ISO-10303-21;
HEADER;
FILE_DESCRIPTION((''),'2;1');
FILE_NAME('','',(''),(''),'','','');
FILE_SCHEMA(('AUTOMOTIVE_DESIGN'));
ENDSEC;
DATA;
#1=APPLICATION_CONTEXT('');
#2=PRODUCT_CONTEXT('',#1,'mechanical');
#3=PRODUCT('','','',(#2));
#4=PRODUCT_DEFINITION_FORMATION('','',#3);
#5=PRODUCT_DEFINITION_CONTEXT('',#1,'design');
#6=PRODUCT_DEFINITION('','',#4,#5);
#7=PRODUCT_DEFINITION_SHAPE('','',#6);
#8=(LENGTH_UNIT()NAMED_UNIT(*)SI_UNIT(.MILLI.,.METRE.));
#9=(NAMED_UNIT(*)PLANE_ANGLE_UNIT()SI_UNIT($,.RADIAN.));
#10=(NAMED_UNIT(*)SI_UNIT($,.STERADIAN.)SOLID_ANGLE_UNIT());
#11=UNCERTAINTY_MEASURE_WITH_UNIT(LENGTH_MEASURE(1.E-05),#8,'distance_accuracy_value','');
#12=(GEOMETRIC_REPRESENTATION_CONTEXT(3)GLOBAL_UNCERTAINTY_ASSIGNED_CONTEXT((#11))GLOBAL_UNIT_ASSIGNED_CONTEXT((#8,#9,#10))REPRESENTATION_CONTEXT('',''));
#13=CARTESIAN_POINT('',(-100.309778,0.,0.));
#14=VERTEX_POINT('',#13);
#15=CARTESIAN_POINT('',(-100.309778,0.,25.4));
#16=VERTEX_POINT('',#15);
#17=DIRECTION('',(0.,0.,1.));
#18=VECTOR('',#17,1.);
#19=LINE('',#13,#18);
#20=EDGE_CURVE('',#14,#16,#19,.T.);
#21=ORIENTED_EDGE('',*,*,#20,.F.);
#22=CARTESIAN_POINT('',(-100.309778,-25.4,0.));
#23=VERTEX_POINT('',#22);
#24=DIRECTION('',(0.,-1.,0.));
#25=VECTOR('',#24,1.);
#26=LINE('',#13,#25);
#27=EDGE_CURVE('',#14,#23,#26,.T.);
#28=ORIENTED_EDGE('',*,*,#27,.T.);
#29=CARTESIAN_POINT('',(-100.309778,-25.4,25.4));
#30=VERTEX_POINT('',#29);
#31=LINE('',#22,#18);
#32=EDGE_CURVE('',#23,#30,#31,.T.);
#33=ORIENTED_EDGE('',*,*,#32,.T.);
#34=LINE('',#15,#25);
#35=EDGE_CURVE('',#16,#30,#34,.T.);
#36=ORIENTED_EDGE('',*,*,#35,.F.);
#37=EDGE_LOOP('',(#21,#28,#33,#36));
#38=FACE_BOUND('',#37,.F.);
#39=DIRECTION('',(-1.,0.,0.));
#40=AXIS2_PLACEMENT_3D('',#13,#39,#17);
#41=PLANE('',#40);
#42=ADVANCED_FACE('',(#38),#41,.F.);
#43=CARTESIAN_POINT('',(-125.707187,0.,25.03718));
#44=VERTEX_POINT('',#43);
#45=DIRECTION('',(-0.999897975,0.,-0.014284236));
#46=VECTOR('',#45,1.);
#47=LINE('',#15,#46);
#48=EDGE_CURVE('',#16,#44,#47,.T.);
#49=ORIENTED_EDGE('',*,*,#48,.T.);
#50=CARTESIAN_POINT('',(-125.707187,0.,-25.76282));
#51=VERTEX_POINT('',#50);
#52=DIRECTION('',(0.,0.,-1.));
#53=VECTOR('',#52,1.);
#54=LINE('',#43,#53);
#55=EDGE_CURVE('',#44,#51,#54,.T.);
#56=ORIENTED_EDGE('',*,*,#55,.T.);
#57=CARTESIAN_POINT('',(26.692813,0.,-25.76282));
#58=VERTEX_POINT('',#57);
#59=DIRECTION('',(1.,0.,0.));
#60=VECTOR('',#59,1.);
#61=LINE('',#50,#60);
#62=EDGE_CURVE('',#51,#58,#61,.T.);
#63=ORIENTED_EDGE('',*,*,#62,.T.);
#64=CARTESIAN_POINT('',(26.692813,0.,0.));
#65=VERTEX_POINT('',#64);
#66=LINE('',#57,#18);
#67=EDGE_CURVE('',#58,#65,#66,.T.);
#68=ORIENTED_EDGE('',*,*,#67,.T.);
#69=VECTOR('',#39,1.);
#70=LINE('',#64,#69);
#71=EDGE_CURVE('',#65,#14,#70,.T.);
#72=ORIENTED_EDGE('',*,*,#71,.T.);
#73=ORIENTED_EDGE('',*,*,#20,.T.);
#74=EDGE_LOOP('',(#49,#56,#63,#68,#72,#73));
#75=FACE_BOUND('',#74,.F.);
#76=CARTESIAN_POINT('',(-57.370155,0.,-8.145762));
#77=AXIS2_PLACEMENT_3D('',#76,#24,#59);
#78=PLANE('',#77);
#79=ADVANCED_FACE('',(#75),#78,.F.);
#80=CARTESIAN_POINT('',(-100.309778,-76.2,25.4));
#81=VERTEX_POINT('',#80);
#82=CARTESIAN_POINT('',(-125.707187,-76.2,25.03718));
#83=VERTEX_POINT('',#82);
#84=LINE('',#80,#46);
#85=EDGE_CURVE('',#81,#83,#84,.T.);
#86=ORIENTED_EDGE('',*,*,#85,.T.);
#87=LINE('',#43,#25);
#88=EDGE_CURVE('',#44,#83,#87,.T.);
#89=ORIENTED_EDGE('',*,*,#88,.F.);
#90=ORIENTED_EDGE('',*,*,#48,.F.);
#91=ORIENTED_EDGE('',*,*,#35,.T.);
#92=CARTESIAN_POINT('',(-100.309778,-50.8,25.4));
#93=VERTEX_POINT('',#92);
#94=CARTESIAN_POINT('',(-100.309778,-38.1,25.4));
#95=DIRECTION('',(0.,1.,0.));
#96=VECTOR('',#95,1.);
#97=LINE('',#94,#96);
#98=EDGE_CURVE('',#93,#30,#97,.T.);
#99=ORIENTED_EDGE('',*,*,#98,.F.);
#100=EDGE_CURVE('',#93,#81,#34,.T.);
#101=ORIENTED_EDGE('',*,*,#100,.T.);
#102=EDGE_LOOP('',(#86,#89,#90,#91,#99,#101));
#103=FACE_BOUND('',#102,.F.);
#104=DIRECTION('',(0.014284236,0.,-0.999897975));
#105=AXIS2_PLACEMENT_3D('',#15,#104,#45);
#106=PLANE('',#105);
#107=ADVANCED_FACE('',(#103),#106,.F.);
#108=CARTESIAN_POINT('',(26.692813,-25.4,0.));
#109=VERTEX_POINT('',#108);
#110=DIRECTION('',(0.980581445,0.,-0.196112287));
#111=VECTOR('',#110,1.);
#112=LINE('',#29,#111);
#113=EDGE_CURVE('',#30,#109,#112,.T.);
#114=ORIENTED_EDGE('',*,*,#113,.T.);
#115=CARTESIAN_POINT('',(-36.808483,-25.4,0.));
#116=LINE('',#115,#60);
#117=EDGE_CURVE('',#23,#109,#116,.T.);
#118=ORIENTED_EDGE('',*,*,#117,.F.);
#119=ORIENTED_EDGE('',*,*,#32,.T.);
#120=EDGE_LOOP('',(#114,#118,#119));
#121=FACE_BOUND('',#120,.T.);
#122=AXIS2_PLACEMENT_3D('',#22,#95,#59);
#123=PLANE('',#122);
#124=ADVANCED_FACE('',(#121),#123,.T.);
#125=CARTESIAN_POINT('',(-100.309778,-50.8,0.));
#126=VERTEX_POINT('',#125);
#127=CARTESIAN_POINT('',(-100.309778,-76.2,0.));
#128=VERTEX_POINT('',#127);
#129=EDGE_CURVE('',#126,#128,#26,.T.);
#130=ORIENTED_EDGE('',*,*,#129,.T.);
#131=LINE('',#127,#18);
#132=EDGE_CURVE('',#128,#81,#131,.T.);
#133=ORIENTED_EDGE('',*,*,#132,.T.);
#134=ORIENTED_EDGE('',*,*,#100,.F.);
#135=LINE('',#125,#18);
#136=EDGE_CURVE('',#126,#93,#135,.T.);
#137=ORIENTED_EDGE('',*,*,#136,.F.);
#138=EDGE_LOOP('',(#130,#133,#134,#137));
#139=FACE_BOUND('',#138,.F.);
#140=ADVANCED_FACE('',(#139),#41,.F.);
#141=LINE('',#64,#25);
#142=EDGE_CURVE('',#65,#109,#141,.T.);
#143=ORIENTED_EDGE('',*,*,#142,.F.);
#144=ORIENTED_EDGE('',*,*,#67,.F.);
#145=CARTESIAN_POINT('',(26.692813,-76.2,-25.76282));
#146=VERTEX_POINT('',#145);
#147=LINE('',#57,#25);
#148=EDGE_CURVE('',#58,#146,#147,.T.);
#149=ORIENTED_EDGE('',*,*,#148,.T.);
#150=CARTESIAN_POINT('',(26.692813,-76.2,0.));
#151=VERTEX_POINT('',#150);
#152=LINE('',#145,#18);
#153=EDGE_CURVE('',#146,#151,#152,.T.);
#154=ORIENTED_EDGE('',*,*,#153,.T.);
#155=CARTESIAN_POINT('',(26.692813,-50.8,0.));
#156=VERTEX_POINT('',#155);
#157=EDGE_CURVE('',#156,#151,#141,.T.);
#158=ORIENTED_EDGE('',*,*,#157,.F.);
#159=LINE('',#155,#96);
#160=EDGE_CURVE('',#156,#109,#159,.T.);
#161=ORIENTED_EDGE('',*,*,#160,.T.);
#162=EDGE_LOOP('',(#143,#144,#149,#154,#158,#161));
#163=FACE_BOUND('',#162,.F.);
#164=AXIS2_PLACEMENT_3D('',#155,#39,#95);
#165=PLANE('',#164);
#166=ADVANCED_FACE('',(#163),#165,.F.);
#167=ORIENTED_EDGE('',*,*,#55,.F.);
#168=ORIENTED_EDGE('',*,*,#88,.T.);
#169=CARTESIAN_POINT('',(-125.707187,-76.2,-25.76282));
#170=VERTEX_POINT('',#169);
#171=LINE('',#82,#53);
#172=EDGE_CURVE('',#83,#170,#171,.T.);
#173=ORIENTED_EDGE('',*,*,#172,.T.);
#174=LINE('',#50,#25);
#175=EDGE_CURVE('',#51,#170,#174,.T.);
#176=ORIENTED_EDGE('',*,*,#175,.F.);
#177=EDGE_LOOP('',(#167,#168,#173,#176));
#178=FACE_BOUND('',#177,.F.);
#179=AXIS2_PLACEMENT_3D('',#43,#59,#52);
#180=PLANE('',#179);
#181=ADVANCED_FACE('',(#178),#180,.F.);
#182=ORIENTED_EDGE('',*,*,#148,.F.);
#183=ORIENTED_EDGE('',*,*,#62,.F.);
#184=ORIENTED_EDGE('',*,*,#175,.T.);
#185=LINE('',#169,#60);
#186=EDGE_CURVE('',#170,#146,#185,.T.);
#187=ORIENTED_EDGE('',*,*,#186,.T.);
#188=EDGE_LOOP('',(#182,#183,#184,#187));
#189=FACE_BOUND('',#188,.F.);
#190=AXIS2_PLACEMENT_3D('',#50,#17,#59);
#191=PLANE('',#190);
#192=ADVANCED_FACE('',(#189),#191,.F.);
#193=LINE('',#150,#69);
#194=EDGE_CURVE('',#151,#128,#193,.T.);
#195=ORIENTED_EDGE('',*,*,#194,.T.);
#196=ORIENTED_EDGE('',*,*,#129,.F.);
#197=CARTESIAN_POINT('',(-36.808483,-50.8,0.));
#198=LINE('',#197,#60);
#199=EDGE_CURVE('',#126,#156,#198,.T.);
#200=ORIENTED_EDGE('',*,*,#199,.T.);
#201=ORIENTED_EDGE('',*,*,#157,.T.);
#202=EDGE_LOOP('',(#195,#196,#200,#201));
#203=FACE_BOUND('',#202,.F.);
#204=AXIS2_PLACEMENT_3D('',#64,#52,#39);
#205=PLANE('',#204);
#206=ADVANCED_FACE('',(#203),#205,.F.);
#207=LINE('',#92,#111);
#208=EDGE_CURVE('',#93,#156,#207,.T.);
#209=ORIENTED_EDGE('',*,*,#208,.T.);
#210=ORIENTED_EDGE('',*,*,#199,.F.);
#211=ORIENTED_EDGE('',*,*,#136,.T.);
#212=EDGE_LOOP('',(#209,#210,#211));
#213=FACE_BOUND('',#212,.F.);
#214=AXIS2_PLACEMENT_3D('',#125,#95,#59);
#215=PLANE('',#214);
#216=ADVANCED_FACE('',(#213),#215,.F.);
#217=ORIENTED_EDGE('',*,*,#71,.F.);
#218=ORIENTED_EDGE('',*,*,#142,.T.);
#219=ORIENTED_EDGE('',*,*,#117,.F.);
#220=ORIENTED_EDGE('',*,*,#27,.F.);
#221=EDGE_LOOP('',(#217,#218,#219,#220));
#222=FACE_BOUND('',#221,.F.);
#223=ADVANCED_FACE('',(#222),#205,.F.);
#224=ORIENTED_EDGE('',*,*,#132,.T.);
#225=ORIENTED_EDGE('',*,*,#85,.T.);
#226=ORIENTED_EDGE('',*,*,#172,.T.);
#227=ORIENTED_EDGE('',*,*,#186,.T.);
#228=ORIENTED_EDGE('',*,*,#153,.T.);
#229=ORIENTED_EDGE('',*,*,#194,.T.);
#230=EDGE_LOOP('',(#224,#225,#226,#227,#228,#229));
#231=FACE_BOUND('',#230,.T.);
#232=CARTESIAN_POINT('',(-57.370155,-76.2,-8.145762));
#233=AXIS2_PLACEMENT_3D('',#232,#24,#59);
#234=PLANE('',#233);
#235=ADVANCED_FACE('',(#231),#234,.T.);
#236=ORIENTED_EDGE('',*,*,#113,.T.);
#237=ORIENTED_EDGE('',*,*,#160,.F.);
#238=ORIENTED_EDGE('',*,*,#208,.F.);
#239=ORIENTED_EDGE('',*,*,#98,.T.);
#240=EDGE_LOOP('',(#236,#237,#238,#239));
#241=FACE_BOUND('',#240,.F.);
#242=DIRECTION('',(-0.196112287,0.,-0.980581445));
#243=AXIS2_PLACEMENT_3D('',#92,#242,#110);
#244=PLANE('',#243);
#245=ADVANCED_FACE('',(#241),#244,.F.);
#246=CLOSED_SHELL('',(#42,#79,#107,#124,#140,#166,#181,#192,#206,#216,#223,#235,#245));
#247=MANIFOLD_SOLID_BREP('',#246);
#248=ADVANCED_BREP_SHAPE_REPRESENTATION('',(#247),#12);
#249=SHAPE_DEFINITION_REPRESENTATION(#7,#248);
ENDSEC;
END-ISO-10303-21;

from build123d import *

# Parameters (mm, degrees)
F1_DEPTH = 76.2
F2_W     = 127.0025914325
F2_H     = 25.4
F3_DEPTH = 25.4
F5_DEPTH = 25.4


with BuildPart() as f1:
    # F0 (on Front) → F1 (new body)
    with BuildSketch(Plane.XZ):
        Polygon((-100.3097782258, 25.4), (-125.7071867934, 25.0371804097), (-125.7071867934, -25.7628195903), (26.6928132066, -25.7628195903), (26.6928132066, 0), (-100.3097782258, 0), align=None)
    extrude(amount=F1_DEPTH)

    # F2 (on face) → F3 (join)
    with BuildSketch(Plane.XY):
        with Locations((-36.8084825096, -38.1)):
            Rectangle(F2_W, F2_H)
    extrude(amount=F3_DEPTH)

    # F4 (on face) → F5 (cut)
    with BuildSketch(Plane.XZ.offset(50.8)):
        Polygon((26.6928132066, 25.4), (-100.3097782258, 25.4), (26.6928132066, 0), align=None)
    extrude(amount=-F5_DEPTH, mode=Mode.SUBTRACT)


solid = f1.part
